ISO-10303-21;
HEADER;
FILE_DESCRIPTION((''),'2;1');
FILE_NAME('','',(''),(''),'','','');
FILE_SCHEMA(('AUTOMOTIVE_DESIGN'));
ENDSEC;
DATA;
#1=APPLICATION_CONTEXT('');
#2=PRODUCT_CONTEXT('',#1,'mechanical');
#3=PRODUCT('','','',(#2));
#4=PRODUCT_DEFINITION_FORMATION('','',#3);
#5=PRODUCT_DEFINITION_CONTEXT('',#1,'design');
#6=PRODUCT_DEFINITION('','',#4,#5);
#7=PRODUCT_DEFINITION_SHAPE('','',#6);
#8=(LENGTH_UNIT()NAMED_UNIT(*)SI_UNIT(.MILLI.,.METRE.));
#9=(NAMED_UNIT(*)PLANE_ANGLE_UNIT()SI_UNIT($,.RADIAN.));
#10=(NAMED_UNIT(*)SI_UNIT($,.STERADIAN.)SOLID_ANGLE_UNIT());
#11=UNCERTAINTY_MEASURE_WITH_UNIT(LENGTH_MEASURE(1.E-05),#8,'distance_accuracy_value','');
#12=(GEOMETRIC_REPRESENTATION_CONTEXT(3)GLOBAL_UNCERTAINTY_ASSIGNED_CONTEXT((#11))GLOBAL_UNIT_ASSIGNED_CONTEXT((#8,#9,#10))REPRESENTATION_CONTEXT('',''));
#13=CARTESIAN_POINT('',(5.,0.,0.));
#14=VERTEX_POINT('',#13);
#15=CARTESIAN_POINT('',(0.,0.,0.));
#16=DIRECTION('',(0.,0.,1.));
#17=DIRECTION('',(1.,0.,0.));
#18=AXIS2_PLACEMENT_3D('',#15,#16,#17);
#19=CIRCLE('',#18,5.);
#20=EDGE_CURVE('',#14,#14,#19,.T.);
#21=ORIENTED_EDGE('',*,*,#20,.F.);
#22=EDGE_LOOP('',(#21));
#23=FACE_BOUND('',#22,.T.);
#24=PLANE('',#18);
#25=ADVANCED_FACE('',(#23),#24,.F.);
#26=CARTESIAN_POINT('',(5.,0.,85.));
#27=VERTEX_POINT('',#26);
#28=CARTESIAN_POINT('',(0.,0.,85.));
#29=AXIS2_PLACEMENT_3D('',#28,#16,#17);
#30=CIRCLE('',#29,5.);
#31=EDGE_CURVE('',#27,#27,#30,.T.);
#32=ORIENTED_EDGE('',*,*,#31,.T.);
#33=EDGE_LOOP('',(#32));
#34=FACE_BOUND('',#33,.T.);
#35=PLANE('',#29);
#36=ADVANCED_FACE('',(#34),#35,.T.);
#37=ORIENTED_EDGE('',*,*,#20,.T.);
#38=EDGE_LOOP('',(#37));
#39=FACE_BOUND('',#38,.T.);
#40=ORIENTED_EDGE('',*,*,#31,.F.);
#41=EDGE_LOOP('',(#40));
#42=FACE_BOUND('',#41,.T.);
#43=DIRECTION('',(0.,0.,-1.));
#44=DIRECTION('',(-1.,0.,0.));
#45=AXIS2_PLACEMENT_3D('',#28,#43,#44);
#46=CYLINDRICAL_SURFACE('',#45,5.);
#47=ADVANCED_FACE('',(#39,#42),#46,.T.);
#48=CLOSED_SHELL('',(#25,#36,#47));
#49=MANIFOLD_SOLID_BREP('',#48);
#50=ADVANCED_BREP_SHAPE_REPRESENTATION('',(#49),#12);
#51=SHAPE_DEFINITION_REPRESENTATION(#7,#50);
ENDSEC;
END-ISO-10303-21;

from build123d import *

# Parameters (mm, degrees)
SKETCH1_R           = 5
BOSS_EXTRUDE1_DEPTH = 85


with BuildPart() as part:
    # Sketch1 → Boss-Extrude1 (new body)
    with BuildSketch(Plane.XY):
        Circle(SKETCH1_R)
    extrude(amount=BOSS_EXTRUDE1_DEPTH)


solid = part.part
